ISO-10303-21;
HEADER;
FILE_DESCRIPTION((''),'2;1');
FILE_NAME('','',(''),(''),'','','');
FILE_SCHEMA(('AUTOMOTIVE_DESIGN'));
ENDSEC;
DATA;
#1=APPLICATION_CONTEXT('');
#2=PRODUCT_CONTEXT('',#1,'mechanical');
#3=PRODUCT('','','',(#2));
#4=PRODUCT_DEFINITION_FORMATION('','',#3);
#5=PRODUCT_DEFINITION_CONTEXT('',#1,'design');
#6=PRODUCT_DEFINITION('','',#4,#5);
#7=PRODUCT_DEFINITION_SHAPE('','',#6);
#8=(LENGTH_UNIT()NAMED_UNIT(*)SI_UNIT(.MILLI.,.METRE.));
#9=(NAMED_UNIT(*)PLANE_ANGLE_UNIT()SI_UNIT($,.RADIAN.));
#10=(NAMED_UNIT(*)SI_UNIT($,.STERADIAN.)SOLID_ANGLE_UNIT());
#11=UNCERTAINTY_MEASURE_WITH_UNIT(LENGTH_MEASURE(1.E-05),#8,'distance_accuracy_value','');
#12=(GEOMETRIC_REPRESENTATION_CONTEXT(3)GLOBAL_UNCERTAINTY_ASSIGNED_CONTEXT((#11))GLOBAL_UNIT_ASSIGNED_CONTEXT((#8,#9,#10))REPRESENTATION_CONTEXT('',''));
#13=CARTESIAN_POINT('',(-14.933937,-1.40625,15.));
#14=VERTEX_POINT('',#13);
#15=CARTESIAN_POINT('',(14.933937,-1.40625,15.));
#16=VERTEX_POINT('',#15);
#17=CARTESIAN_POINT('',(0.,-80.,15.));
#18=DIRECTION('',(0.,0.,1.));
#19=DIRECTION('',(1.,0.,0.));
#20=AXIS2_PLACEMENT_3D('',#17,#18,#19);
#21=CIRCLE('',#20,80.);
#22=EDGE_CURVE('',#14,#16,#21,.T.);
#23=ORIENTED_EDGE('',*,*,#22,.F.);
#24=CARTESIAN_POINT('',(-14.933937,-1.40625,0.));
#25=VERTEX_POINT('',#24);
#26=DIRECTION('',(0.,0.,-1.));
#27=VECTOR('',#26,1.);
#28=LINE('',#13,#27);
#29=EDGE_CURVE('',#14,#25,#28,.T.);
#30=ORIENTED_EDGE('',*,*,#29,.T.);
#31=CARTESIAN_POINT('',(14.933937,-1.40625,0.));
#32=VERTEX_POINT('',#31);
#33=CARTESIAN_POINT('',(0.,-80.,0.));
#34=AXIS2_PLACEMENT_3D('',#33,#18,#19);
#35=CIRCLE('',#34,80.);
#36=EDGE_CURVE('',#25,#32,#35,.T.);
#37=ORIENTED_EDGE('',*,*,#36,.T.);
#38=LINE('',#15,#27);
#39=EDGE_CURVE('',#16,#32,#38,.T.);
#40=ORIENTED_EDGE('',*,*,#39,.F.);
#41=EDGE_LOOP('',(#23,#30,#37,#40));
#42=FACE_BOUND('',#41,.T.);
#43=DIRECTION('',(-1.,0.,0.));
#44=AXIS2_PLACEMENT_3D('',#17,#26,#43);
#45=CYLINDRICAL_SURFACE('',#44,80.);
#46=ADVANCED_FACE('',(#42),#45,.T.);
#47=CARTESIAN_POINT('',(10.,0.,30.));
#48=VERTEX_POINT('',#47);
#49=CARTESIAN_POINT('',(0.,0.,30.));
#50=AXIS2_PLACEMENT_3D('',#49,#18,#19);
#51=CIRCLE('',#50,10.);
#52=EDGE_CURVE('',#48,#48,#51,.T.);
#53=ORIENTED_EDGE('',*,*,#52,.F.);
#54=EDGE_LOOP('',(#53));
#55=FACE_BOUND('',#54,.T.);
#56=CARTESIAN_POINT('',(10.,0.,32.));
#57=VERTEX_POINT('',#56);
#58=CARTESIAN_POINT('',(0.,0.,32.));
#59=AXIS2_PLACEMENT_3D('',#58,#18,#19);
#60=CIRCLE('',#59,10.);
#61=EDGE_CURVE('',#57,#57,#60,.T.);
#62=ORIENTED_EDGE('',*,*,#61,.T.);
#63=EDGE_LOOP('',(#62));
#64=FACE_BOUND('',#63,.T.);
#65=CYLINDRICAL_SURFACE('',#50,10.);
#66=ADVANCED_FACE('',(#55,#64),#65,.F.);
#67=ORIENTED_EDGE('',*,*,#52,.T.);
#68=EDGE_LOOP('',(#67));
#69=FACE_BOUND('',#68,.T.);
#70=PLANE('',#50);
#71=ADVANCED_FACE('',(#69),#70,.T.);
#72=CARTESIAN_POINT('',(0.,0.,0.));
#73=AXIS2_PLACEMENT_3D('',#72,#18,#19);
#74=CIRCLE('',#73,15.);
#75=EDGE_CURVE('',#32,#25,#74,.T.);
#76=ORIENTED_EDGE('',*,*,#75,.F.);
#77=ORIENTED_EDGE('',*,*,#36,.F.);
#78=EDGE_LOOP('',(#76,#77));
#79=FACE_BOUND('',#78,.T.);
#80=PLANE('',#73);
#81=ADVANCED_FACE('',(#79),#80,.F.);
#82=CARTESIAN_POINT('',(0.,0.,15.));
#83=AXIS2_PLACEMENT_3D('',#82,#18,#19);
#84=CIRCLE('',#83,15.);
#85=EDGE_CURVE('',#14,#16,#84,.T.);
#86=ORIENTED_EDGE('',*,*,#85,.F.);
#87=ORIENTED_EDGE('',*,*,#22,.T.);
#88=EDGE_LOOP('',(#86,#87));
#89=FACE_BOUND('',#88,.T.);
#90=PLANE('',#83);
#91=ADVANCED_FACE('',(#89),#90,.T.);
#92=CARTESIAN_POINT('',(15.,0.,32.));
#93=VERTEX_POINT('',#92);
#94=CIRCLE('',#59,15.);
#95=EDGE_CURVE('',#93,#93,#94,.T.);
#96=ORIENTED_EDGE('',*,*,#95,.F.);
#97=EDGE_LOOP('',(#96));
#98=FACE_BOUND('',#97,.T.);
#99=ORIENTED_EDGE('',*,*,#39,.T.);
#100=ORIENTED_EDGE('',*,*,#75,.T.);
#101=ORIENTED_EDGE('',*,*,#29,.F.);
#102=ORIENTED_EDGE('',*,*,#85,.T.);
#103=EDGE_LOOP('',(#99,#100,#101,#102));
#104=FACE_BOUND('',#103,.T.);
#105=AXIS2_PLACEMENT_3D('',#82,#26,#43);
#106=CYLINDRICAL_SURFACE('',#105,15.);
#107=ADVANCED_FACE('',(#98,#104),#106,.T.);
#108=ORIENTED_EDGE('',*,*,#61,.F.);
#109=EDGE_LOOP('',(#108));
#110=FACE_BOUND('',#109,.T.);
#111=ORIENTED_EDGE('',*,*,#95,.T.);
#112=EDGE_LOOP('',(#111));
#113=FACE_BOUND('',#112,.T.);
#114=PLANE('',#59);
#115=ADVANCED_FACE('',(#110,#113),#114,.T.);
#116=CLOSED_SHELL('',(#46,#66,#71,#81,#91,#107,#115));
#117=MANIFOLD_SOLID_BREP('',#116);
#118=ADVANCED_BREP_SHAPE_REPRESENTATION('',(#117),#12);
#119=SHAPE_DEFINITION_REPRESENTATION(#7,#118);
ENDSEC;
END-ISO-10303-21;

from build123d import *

# Parameters (mm, degrees)
EXTRUDE_1_DEPTH     = 15
SKETCH_5_R          = 15
EXTRUDE_3_DEPTH     = 17
SKETCH_9_R          = 10
CUT_EXTRUDE_2_DEPTH = 2


with BuildPart() as part:
    # ｽｹｯﾁ4 → ﾎﾞｽ - 押し出し1 (new body)
    with BuildSketch(Plane.XY):
        with BuildLine():
            ThreePointArc((14.933936552, -1.40625), (0, 15), (-14.933936552, -1.40625))
            ThreePointArc((-14.933936552, -1.40625), (0, -160), (14.933936552, -1.40625))
        make_face()
    extrude(amount=EXTRUDE_1_DEPTH)

    # ｽｹｯﾁ5 → ﾎﾞｽ - 押し出し3 (add)
    with BuildSketch(Plane.XY.offset(15)):
        with Locations(Location((0, 0, 0), (0, 0, 185.379378991))):
            Circle(SKETCH_5_R)
    extrude(amount=EXTRUDE_3_DEPTH)

    # ｽｹｯﾁ9 → ｶｯﾄ - 押し出し2 (cut)
    with BuildSketch(Plane.XY.offset(32)):
        Circle(SKETCH_9_R)
    extrude(amount=-CUT_EXTRUDE_2_DEPTH, mode=Mode.SUBTRACT)


solid = part.part
